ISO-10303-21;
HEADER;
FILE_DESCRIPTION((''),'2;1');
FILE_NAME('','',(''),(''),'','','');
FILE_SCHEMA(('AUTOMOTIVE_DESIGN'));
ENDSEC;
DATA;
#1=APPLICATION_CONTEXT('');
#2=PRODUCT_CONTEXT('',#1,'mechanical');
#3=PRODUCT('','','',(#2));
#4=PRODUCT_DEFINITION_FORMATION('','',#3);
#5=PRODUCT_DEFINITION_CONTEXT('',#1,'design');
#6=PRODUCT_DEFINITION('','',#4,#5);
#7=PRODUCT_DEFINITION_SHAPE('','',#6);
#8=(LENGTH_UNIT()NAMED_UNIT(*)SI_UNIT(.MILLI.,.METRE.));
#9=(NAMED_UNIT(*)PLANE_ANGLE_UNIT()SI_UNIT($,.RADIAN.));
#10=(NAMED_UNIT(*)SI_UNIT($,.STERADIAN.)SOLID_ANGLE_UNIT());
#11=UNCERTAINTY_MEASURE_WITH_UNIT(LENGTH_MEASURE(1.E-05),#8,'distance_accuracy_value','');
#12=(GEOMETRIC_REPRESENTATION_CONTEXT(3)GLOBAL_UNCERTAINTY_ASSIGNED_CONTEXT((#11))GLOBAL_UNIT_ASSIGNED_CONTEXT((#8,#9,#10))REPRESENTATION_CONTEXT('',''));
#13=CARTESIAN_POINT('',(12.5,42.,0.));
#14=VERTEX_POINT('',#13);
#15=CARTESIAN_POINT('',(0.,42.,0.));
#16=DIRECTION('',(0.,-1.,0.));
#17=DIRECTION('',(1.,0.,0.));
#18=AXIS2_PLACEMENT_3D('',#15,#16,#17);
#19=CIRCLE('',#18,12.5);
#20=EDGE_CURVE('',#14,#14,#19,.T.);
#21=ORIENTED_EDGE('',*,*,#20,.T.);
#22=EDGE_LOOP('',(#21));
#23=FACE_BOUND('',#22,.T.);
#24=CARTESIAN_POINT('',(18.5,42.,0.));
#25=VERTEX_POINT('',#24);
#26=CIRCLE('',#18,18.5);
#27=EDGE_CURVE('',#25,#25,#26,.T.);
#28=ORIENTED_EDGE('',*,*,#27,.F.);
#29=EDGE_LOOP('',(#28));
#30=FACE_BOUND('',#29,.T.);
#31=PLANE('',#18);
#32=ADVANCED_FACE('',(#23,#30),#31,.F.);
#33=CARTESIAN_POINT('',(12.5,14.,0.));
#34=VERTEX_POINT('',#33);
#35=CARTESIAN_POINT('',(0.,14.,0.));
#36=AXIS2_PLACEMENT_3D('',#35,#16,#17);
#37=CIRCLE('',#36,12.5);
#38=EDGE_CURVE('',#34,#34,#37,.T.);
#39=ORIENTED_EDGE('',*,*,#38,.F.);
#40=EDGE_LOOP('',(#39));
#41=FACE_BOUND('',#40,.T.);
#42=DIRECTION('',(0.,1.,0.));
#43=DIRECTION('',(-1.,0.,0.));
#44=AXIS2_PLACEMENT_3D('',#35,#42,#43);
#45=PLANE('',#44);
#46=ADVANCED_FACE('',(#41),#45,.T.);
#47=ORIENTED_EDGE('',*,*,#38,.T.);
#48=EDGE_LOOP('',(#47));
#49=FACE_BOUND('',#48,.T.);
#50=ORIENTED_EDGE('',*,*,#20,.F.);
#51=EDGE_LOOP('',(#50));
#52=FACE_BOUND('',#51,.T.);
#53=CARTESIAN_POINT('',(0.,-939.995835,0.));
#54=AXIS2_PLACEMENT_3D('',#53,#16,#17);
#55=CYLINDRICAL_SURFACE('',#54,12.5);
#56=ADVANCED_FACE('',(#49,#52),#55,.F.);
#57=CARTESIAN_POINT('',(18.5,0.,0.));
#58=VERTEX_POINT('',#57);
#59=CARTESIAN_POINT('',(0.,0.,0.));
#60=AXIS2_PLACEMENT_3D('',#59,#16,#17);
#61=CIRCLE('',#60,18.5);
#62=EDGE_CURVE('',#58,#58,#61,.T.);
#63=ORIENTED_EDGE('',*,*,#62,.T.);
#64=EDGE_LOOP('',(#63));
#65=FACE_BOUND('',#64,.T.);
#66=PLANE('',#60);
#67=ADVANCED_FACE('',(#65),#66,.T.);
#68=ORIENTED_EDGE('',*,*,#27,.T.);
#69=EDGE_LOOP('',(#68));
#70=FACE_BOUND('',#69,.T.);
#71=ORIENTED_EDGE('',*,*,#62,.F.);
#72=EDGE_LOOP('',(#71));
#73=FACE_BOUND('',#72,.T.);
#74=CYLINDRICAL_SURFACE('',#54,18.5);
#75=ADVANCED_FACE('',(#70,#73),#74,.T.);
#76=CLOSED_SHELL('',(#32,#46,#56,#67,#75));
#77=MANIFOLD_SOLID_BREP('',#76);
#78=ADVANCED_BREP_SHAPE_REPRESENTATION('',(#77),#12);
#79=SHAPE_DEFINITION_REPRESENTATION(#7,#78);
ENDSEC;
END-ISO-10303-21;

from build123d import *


with BuildPart() as part:
    # Esboço1 → Revolução1 (revolve)
    with BuildSketch(Plane.XY):
        Polygon((-18.5, 0), (0, 0), (0, 14), (-12.5, 14), (-12.5, 42), (-18.5, 42), align=None)
    revolve(axis=Axis((0, -939.995835418, 0), (0, 1, 0)))


solid = part.part
